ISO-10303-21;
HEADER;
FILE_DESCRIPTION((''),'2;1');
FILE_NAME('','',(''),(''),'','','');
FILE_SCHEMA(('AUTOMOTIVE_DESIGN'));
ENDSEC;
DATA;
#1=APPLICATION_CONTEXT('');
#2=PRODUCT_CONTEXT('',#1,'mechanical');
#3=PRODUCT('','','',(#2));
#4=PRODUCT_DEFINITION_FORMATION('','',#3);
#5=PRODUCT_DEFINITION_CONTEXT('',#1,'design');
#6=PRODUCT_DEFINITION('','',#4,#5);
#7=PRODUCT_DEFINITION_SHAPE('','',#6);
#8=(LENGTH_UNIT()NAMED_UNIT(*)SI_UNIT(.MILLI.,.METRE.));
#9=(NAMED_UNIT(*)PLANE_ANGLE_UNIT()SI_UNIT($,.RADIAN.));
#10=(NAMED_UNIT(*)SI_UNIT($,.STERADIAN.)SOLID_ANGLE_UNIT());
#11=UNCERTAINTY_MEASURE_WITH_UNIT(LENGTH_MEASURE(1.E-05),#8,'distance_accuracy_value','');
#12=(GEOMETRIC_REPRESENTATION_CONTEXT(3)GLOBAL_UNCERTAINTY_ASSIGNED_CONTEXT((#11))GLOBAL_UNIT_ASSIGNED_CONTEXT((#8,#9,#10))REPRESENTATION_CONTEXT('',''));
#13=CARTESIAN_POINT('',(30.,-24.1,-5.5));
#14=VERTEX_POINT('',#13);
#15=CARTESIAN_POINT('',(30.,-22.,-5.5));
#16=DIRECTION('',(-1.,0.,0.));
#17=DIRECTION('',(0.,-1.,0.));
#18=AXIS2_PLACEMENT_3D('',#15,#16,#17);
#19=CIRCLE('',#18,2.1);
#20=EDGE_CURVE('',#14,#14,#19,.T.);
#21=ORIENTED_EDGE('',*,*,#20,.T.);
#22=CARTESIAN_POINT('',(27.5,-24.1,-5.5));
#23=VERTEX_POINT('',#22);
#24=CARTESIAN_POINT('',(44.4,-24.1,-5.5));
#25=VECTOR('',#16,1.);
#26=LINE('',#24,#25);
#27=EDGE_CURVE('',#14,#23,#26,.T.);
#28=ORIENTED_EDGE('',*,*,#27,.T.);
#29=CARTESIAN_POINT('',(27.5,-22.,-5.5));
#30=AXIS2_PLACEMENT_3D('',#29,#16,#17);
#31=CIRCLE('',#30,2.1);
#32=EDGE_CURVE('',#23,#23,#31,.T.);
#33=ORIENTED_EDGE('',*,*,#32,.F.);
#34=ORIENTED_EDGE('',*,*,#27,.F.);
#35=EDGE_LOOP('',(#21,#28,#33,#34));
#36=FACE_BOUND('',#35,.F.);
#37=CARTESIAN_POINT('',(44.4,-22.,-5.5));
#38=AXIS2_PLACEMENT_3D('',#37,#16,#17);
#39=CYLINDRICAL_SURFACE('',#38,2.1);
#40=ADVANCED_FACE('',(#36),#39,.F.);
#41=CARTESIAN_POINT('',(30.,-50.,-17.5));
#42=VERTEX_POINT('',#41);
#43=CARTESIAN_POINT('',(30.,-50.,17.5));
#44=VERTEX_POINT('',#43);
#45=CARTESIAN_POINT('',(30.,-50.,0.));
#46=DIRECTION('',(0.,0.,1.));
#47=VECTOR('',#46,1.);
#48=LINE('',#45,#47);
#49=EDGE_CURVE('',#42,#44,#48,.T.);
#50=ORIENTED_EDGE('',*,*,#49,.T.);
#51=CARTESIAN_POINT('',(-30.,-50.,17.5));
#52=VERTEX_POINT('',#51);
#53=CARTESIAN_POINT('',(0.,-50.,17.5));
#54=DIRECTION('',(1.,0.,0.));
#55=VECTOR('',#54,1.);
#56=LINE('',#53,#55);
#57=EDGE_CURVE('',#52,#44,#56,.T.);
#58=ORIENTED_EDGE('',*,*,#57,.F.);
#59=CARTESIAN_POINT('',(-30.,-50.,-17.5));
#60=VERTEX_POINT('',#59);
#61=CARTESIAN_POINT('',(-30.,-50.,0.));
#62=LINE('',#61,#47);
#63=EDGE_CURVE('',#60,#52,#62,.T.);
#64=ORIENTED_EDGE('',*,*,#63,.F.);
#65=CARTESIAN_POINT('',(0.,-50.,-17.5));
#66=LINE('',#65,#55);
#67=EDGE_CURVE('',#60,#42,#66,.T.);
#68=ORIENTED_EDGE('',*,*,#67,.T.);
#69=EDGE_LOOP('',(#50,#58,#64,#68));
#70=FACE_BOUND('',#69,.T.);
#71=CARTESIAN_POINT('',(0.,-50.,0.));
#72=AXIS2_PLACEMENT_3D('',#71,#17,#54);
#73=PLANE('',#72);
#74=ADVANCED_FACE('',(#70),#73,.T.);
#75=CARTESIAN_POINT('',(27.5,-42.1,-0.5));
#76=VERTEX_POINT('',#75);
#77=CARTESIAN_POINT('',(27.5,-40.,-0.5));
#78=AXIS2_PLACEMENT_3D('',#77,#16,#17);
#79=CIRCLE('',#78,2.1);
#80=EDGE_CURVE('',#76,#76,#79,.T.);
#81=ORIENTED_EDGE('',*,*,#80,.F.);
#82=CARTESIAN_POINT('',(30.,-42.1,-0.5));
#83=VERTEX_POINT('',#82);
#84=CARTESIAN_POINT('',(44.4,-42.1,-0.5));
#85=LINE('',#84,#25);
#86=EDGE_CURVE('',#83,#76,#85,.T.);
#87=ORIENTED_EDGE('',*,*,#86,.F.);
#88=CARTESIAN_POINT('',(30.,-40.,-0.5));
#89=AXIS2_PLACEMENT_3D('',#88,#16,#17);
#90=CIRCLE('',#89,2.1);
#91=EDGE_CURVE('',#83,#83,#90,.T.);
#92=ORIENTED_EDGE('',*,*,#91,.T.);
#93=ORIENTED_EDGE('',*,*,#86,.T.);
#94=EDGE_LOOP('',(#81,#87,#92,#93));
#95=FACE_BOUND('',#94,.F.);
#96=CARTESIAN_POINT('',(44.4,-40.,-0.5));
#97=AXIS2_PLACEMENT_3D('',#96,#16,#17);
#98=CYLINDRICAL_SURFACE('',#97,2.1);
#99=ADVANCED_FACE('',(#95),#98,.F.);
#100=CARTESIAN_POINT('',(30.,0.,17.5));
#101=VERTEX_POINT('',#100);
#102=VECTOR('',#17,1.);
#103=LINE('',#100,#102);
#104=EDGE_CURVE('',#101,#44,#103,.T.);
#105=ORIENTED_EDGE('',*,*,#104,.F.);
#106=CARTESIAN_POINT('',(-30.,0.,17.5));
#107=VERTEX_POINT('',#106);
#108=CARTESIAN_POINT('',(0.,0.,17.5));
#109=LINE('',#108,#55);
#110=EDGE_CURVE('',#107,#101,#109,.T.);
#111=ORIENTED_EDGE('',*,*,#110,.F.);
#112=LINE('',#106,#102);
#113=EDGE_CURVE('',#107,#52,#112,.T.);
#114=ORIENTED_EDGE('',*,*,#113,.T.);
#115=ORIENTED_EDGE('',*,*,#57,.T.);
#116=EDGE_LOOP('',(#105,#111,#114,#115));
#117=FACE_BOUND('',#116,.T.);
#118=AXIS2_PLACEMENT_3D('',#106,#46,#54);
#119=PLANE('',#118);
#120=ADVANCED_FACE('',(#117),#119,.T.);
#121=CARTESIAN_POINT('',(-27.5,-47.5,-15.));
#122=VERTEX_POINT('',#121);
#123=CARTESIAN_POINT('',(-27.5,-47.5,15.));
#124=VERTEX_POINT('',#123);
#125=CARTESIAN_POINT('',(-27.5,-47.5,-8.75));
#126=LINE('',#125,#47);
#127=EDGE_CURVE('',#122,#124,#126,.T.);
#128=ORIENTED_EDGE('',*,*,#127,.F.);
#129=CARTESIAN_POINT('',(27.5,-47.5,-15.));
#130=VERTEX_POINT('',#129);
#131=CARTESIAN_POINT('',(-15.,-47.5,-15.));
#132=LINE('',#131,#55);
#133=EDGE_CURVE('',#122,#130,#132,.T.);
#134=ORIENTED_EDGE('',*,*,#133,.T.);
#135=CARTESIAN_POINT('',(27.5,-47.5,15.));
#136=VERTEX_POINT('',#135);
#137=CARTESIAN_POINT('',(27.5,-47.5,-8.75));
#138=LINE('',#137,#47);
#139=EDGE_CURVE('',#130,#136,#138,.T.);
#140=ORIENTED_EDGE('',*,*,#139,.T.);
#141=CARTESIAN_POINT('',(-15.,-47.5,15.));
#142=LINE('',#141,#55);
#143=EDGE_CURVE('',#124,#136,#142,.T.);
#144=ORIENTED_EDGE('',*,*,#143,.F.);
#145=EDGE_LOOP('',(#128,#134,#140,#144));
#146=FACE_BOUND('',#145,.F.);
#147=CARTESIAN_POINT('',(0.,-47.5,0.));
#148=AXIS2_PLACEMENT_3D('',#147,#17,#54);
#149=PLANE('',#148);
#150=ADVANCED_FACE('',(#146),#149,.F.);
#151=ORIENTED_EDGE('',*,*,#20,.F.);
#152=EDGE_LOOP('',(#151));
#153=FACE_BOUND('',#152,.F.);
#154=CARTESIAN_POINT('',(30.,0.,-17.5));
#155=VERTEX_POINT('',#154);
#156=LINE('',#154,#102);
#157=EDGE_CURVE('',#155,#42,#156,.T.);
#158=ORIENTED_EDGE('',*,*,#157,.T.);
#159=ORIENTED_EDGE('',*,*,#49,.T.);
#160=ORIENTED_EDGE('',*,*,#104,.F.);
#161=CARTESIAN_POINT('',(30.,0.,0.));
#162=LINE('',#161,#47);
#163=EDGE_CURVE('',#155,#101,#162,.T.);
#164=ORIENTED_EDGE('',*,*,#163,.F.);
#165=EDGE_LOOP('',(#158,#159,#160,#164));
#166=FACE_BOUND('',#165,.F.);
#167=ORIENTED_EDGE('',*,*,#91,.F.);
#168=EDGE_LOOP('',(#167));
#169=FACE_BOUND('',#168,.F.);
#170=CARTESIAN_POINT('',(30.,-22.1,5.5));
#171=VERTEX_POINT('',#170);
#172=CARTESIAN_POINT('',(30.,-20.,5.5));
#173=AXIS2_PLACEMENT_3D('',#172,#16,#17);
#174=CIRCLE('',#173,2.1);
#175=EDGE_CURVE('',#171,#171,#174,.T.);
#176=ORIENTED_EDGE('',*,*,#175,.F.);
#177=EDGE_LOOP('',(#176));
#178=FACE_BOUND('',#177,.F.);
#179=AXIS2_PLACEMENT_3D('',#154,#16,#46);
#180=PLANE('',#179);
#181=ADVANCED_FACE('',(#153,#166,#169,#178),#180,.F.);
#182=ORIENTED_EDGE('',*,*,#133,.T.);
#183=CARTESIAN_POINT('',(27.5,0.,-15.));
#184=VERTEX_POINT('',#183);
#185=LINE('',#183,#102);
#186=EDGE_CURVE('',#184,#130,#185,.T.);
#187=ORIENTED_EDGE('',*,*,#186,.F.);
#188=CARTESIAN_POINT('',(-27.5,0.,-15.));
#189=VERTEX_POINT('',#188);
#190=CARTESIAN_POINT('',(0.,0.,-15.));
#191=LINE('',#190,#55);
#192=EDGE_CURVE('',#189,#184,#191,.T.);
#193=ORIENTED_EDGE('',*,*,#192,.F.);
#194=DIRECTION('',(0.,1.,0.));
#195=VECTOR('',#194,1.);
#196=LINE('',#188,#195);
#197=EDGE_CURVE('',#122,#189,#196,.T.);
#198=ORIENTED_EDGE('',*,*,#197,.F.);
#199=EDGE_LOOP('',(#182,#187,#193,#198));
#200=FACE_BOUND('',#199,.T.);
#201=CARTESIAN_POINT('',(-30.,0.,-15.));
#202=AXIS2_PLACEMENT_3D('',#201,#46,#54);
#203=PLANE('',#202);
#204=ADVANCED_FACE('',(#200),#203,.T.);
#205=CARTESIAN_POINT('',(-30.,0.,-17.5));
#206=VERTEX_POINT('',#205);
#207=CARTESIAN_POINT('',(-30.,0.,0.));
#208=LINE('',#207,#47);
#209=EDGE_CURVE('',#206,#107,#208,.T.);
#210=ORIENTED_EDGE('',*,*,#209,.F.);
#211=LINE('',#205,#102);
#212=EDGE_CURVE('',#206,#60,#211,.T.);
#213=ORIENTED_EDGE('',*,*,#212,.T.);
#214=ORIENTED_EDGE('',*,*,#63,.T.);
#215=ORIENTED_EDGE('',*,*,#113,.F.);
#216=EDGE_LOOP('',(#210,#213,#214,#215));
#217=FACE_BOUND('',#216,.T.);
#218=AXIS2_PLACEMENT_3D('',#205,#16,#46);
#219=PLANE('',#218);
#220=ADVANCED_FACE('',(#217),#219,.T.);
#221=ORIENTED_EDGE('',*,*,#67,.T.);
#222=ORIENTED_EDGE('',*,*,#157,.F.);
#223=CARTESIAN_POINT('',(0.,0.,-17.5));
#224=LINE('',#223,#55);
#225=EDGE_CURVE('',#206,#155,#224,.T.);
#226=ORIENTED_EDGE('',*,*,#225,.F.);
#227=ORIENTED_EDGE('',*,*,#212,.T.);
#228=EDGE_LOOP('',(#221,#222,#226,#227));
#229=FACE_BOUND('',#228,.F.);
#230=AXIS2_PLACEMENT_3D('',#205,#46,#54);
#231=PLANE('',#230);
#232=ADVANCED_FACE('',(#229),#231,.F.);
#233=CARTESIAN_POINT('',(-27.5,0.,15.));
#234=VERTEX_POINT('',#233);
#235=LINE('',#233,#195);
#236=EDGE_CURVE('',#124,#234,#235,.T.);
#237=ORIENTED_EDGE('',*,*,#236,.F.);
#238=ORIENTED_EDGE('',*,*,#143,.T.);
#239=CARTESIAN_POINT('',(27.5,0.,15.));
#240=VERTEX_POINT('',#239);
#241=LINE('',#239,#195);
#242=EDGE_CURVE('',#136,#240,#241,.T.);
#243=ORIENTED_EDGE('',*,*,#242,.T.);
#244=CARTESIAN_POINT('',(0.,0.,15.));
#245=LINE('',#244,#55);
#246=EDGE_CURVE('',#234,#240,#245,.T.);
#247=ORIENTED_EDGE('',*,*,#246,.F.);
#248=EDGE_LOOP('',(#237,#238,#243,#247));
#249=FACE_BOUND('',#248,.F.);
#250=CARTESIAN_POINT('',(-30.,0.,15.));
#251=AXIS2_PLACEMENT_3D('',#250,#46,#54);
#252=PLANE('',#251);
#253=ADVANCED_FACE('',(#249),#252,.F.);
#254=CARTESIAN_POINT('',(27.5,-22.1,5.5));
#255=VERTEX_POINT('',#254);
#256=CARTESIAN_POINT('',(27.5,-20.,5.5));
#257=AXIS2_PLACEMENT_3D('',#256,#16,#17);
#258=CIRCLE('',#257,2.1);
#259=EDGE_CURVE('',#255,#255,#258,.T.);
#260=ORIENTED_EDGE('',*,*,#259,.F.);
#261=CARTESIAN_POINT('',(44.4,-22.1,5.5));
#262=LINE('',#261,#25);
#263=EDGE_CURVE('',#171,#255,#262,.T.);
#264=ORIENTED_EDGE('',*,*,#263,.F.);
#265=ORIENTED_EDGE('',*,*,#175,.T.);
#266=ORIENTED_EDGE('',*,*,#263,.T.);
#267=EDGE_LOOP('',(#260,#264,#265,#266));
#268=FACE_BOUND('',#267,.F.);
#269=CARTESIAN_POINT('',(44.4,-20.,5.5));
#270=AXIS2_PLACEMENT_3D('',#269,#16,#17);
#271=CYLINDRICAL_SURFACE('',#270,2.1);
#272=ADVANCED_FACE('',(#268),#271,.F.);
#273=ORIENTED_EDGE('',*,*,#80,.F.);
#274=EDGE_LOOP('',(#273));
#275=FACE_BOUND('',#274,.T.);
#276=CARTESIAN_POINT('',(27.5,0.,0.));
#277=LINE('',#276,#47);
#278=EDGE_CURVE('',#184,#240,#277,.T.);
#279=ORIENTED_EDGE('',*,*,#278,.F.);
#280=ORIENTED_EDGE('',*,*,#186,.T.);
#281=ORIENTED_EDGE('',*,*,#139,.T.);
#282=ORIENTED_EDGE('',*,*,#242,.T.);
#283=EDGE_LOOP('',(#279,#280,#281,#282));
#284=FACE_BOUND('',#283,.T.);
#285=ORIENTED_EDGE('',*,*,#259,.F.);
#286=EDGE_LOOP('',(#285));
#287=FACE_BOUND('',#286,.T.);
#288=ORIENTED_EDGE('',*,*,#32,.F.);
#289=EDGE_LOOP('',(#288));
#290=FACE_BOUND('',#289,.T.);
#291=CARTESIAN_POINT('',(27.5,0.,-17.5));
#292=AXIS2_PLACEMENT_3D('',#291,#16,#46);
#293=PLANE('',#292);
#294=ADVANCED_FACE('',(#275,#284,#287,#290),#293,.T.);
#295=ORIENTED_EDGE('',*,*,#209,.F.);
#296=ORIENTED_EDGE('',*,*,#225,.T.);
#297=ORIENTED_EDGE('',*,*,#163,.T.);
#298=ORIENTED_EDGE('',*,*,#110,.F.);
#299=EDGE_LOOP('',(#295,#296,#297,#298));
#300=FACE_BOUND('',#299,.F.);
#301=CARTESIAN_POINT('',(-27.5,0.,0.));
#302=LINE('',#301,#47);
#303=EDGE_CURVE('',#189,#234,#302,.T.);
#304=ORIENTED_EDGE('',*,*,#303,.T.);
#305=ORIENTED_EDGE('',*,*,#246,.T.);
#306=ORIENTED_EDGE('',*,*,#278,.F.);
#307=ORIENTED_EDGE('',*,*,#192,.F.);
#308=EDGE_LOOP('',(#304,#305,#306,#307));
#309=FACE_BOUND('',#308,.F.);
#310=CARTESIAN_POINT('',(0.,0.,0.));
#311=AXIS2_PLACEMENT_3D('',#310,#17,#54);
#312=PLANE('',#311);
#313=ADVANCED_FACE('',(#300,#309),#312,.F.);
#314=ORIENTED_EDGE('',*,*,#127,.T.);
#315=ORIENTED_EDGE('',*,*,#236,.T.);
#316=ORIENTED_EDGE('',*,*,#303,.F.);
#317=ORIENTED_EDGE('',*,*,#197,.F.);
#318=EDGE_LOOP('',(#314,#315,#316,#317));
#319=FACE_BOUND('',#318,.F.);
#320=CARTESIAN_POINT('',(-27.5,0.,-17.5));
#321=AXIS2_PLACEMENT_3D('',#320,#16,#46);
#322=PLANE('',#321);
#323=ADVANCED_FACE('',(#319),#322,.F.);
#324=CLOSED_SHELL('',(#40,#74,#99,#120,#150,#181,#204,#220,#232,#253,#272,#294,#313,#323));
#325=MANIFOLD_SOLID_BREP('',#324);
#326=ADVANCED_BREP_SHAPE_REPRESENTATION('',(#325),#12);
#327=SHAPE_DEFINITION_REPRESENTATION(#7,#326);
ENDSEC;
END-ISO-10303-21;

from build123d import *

# Parameters (mm, degrees)
F0_W     = 60
F0_H     = 35
F1_DEPTH = 50
F2_T     = -2.5
F4_D     = 4.2
F4_DEPTH = 14.4
F4_TIP   = 1.2618073


with BuildPart() as f1:
    # F0 (on Front) → F1 (new body)
    with BuildSketch(Plane.XZ):
        Rectangle(F0_W, F0_H)
    extrude(amount=F1_DEPTH)

    # F2
    f2_openings = [f1.faces().sort_by_distance(p)[0] for p in [
        (0, 0, 0),
    ]]
    offset(amount=F2_T, openings=f2_openings)

    # F4
    with Locations(Plane.YZ.offset(30)):
        with Locations((-40, -0.5), (-20, 5.5), (-22, -5.5)):
            Hole(F4_D / 2, depth=F4_DEPTH)
            with Locations((0, 0, -(F4_DEPTH + F4_TIP / 2))):  # 118° drill point
                Cone(0, F4_D / 2, F4_TIP, mode=Mode.SUBTRACT)


solid = f1.part
